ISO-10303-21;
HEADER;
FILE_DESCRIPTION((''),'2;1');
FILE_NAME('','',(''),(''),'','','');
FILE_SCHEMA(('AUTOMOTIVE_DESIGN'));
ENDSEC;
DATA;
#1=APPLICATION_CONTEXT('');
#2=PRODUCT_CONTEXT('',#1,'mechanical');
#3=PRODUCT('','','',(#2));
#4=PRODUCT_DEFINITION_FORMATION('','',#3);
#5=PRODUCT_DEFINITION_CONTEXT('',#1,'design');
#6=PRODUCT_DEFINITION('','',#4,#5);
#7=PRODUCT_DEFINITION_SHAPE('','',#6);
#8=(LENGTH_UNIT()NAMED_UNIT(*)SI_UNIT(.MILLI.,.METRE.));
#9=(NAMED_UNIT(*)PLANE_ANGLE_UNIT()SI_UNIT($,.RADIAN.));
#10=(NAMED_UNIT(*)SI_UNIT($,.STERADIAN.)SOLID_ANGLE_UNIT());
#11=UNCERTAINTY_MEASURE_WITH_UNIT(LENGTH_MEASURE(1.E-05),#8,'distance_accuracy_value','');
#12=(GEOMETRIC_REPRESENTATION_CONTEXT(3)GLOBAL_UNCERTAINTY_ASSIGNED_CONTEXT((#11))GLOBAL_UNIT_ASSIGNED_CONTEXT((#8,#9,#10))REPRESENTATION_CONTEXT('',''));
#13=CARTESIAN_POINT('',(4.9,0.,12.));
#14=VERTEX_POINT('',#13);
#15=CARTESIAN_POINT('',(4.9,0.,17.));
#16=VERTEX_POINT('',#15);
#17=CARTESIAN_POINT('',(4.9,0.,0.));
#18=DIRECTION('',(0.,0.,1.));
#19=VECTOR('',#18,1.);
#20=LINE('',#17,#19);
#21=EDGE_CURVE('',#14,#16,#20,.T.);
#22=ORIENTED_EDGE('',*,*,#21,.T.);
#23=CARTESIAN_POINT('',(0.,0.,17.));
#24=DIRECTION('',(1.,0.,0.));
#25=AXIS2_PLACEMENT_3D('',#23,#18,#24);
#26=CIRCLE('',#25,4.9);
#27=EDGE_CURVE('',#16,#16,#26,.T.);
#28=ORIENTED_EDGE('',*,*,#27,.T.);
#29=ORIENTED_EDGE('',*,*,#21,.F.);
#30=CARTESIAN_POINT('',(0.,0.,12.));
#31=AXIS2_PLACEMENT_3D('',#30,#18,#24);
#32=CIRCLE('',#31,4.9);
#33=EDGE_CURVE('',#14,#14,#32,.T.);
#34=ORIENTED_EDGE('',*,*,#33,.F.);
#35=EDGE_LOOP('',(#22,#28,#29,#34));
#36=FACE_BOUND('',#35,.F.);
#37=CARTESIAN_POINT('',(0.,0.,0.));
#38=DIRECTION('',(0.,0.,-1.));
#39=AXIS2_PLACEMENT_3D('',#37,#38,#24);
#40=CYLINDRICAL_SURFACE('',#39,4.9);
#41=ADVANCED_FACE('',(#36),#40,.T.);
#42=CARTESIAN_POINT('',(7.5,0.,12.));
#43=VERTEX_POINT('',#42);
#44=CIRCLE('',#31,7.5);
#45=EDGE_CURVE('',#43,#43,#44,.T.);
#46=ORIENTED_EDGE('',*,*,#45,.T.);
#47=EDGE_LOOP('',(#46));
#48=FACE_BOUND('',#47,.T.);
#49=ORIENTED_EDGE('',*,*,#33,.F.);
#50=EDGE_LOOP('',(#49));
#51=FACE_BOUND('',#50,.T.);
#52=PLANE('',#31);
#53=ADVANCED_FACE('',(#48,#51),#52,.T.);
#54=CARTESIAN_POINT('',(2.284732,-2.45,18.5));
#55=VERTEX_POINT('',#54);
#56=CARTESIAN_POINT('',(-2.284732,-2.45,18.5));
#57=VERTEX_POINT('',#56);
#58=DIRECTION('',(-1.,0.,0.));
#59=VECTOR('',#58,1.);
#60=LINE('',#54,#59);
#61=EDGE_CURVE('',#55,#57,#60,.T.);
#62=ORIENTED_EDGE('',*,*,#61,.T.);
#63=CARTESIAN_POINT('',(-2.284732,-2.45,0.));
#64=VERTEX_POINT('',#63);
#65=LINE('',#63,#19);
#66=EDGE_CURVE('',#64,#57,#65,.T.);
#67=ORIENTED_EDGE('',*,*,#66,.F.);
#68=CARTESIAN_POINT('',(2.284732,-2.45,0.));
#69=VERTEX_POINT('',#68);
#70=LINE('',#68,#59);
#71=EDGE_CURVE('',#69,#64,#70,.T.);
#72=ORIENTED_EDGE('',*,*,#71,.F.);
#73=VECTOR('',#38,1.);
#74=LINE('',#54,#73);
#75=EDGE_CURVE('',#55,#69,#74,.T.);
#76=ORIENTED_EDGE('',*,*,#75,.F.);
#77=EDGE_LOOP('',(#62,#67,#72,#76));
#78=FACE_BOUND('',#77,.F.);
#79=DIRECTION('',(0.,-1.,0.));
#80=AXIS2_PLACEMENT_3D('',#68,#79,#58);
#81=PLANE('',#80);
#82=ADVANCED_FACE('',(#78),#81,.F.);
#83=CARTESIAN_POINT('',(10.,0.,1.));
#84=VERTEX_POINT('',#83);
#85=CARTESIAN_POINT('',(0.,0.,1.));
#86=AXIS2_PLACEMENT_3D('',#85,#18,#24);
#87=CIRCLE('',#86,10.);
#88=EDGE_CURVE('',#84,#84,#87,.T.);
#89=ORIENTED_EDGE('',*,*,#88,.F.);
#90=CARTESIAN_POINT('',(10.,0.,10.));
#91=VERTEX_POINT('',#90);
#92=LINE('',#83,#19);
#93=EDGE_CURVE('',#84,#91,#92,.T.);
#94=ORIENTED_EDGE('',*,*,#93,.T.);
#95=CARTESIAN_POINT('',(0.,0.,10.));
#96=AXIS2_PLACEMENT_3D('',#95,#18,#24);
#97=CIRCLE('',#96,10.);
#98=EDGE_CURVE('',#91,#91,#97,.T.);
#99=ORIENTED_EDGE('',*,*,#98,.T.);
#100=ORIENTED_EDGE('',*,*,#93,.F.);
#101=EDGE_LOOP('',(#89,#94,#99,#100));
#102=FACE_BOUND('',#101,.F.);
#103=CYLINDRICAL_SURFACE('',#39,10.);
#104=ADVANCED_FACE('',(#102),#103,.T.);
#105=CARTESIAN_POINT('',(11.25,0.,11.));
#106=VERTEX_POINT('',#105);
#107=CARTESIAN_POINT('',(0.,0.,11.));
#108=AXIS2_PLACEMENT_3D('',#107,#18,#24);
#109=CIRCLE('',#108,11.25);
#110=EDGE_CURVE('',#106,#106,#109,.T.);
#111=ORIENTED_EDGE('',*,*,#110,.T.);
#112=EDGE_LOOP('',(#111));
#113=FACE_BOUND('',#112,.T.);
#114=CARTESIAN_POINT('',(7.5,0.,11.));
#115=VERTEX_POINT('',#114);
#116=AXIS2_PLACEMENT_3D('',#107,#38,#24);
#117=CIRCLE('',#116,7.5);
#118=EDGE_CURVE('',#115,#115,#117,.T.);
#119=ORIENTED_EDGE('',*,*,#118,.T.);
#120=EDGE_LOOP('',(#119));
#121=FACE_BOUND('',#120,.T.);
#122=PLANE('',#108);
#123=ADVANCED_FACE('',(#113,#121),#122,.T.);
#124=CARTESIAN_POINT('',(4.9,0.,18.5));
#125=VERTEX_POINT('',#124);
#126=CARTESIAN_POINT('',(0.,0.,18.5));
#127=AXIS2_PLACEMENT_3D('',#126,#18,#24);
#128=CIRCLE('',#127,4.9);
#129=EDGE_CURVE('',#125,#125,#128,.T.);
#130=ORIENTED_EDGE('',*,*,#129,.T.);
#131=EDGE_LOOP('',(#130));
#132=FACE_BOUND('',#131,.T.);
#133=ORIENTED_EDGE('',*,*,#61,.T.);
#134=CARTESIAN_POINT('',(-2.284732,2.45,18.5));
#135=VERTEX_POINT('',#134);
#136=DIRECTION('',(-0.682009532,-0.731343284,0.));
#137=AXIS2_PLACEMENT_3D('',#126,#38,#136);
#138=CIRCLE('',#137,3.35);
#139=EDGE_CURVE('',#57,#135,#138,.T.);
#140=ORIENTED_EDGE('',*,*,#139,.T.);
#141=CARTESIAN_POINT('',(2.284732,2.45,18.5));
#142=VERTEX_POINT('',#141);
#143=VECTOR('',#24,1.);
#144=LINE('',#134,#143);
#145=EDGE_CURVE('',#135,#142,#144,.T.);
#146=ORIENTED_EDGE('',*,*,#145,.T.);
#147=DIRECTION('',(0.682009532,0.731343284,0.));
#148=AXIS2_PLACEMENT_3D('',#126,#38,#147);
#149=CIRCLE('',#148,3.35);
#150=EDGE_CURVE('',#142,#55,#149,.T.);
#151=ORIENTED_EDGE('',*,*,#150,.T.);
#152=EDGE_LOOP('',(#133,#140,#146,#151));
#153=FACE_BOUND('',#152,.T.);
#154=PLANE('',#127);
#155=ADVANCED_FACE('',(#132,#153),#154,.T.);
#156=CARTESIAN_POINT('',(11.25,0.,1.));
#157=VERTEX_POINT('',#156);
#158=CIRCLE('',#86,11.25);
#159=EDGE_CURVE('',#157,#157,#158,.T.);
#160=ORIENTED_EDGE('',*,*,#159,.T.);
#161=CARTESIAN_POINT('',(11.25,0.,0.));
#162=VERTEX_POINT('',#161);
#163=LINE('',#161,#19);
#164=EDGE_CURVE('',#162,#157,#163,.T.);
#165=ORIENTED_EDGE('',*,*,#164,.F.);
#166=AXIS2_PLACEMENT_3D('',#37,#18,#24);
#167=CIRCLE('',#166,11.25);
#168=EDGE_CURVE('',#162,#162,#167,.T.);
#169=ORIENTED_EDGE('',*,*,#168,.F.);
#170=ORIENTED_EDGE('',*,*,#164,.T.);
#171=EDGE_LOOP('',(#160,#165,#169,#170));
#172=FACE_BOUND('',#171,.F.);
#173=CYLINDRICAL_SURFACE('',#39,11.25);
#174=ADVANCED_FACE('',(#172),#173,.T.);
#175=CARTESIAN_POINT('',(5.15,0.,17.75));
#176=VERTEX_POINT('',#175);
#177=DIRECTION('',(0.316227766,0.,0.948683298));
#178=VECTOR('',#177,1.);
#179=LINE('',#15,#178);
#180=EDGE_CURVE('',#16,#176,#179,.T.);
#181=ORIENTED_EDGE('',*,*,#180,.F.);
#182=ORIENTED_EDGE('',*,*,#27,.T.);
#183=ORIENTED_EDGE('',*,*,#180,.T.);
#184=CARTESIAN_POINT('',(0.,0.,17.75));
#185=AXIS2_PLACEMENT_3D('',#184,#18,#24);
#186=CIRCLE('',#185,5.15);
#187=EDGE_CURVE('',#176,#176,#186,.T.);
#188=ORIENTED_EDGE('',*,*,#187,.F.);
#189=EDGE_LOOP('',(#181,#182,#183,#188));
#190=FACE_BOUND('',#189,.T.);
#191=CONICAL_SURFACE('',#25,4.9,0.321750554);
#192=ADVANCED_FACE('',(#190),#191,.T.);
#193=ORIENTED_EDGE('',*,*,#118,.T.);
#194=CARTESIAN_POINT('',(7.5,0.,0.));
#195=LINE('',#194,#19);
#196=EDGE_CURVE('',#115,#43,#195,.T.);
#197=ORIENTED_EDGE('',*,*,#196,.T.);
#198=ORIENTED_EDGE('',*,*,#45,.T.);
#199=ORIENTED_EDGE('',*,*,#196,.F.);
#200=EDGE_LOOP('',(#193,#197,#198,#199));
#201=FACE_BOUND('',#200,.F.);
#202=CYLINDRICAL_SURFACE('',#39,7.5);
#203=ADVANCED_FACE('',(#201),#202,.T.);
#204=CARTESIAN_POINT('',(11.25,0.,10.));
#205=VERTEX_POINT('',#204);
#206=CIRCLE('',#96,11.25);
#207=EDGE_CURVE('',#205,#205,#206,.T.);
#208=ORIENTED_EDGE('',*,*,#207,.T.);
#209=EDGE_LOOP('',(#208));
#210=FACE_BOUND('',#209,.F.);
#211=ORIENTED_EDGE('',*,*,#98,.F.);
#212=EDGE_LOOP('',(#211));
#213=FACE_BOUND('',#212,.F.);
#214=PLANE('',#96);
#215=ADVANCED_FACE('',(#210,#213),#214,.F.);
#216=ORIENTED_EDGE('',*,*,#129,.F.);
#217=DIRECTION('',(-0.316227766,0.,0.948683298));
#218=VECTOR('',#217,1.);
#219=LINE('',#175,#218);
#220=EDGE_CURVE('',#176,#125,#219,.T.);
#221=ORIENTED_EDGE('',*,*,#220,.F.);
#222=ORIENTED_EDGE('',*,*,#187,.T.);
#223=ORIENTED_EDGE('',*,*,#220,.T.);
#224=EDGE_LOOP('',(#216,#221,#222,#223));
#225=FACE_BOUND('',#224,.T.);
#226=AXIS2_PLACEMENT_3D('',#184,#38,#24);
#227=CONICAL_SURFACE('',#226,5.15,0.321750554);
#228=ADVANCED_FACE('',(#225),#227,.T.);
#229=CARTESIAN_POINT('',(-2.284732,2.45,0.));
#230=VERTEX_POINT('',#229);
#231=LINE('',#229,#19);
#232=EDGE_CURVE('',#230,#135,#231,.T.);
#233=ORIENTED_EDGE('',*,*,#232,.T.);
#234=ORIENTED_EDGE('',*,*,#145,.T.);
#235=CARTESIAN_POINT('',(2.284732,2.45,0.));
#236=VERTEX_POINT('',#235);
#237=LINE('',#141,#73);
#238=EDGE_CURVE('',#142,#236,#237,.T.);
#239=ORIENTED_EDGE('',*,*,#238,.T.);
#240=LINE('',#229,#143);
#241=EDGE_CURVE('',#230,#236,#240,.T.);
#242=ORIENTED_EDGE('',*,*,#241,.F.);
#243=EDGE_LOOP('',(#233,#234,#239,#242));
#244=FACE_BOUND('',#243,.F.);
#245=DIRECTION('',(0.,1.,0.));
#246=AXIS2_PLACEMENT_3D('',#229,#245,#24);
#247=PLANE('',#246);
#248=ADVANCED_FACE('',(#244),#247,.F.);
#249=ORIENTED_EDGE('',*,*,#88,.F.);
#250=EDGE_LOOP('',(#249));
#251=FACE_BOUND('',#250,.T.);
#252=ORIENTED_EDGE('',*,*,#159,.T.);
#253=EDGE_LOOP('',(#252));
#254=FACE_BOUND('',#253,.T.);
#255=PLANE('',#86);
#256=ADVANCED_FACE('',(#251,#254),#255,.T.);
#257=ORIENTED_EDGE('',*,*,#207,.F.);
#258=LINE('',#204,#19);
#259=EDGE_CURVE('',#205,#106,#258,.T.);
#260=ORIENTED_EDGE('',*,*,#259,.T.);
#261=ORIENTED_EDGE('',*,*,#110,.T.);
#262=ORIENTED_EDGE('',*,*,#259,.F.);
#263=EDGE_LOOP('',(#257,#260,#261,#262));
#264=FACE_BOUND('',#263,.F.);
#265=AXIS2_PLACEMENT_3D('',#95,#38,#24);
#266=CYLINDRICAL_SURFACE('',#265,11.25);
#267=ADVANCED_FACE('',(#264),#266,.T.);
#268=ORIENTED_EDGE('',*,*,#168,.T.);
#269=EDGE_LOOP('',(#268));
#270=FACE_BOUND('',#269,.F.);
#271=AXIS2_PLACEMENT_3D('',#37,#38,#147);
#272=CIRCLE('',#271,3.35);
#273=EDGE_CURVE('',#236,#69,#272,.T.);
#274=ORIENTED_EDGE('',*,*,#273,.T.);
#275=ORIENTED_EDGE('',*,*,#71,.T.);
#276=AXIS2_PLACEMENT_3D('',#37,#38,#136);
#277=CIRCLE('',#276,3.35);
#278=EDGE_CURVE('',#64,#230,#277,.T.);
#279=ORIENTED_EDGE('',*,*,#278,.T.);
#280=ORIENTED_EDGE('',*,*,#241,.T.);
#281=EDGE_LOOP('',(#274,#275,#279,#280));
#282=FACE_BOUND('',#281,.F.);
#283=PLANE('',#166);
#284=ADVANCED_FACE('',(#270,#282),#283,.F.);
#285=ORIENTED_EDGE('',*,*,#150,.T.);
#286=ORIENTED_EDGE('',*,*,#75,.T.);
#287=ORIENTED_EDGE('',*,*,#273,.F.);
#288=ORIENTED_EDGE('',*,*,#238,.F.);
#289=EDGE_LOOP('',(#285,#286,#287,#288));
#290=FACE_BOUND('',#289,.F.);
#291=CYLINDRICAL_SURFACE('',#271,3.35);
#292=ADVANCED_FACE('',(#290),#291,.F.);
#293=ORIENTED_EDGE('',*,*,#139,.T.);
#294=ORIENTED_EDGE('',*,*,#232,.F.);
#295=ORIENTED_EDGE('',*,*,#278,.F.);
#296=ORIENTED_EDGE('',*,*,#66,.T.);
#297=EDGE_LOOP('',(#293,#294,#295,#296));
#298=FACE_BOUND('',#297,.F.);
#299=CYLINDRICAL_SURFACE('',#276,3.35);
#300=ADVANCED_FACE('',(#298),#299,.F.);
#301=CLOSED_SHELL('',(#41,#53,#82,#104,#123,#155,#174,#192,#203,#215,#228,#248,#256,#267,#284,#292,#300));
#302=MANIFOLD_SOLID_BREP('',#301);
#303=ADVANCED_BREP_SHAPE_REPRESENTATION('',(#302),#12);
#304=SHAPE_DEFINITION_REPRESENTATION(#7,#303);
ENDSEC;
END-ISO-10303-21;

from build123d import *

# Parameters (mm, degrees)
F2_R         = 10
F2_R_2       = 7.5
F2_R_3       = 4.9
F3_DEPTH     = 11
F4_DEPTH     = 9
F5_DEPTH     = 18.5
F2_R_4       = 11.25
F10_DEPTH    = 1
F11_START    = 9
F10_FACE_R   = 11.25
F10_FACE_R_2 = 10
F11_DEPTH    = 1
F12_DEPTH    = 12


with BuildPart() as f3:
    # F2 (on Top) → F3 (new body)
    with BuildSketch(Plane.XY):
        Circle(F2_R)
        Circle(F2_R_2, mode=Mode.SUBTRACT)
        Circle(F2_R_2)
        Circle(F2_R_3, mode=Mode.SUBTRACT)
        Circle(F2_R_3)
        with BuildLine():
            ThreePointArc((-2.2847319318, -2.45), (-3.35, 0), (-2.2847319318, 2.45))
            Line((-2.2847319318, 2.45), (2.2847319318, 2.45))
            ThreePointArc((2.2847319318, 2.45), (3.35, 0), (2.2847319318, -2.45))
            Line((2.2847319318, -2.45), (-2.2847319318, -2.45))
        make_face(mode=Mode.SUBTRACT)
    extrude(amount=F3_DEPTH)

    # F2 (on Top) → F4 (join)
    with BuildSketch(Plane.XY):
        Circle(F2_R_2)
        Circle(F2_R_3, mode=Mode.SUBTRACT)
        Circle(F2_R_3)
        with BuildLine():
            ThreePointArc((-2.2847319318, -2.45), (-3.35, 0), (-2.2847319318, 2.45))
            Line((-2.2847319318, 2.45), (2.2847319318, 2.45))
            ThreePointArc((2.2847319318, 2.45), (3.35, 0), (2.2847319318, -2.45))
            Line((2.2847319318, -2.45), (-2.2847319318, -2.45))
        make_face(mode=Mode.SUBTRACT)
    extrude(amount=F4_DEPTH)

    # F2 (on Top) → F5 (join)
    with BuildSketch(Plane.XY):
        Circle(F2_R_3)
        with BuildLine():
            ThreePointArc((-2.2847319318, -2.45), (-3.35, 0), (-2.2847319318, 2.45))
            Line((-2.2847319318, 2.45), (2.2847319318, 2.45))
            ThreePointArc((2.2847319318, 2.45), (3.35, 0), (2.2847319318, -2.45))
            Line((2.2847319318, -2.45), (-2.2847319318, -2.45))
        make_face(mode=Mode.SUBTRACT)
    extrude(amount=F5_DEPTH)

    # F6 (on Front) → F7 (revolve)
    with BuildSketch(Plane.XZ):
        Polygon((5.15, 17.75), (4.9, 18.5), (4.9, 17), align=None)
    revolve(axis=Axis((0, 0, 8.7542282417), (0, 0, 1)))

    # F2 (on Top) → F10 (join)
    with BuildSketch(Plane.XY):
        Circle(F2_R_4)
        Circle(F2_R, mode=Mode.SUBTRACT)
    extrude(amount=F10_DEPTH)

    # F2 (on Top) + F10_face (on face) → F11 (join)
    with BuildSketch(Plane.XY.offset(F11_START)):
        Circle(F2_R)
        Circle(F2_R_2, mode=Mode.SUBTRACT)
    with BuildSketch(Plane.XY.offset(1).offset(F11_START)):
        Circle(F10_FACE_R)
        Circle(F10_FACE_R_2, mode=Mode.SUBTRACT)
    extrude(amount=F11_DEPTH)

    # F2 (on Top) → F12 (join)
    with BuildSketch(Plane.XY):
        Circle(F2_R_2)
        Circle(F2_R_3, mode=Mode.SUBTRACT)
    extrude(amount=F12_DEPTH)


solid = f3.part
